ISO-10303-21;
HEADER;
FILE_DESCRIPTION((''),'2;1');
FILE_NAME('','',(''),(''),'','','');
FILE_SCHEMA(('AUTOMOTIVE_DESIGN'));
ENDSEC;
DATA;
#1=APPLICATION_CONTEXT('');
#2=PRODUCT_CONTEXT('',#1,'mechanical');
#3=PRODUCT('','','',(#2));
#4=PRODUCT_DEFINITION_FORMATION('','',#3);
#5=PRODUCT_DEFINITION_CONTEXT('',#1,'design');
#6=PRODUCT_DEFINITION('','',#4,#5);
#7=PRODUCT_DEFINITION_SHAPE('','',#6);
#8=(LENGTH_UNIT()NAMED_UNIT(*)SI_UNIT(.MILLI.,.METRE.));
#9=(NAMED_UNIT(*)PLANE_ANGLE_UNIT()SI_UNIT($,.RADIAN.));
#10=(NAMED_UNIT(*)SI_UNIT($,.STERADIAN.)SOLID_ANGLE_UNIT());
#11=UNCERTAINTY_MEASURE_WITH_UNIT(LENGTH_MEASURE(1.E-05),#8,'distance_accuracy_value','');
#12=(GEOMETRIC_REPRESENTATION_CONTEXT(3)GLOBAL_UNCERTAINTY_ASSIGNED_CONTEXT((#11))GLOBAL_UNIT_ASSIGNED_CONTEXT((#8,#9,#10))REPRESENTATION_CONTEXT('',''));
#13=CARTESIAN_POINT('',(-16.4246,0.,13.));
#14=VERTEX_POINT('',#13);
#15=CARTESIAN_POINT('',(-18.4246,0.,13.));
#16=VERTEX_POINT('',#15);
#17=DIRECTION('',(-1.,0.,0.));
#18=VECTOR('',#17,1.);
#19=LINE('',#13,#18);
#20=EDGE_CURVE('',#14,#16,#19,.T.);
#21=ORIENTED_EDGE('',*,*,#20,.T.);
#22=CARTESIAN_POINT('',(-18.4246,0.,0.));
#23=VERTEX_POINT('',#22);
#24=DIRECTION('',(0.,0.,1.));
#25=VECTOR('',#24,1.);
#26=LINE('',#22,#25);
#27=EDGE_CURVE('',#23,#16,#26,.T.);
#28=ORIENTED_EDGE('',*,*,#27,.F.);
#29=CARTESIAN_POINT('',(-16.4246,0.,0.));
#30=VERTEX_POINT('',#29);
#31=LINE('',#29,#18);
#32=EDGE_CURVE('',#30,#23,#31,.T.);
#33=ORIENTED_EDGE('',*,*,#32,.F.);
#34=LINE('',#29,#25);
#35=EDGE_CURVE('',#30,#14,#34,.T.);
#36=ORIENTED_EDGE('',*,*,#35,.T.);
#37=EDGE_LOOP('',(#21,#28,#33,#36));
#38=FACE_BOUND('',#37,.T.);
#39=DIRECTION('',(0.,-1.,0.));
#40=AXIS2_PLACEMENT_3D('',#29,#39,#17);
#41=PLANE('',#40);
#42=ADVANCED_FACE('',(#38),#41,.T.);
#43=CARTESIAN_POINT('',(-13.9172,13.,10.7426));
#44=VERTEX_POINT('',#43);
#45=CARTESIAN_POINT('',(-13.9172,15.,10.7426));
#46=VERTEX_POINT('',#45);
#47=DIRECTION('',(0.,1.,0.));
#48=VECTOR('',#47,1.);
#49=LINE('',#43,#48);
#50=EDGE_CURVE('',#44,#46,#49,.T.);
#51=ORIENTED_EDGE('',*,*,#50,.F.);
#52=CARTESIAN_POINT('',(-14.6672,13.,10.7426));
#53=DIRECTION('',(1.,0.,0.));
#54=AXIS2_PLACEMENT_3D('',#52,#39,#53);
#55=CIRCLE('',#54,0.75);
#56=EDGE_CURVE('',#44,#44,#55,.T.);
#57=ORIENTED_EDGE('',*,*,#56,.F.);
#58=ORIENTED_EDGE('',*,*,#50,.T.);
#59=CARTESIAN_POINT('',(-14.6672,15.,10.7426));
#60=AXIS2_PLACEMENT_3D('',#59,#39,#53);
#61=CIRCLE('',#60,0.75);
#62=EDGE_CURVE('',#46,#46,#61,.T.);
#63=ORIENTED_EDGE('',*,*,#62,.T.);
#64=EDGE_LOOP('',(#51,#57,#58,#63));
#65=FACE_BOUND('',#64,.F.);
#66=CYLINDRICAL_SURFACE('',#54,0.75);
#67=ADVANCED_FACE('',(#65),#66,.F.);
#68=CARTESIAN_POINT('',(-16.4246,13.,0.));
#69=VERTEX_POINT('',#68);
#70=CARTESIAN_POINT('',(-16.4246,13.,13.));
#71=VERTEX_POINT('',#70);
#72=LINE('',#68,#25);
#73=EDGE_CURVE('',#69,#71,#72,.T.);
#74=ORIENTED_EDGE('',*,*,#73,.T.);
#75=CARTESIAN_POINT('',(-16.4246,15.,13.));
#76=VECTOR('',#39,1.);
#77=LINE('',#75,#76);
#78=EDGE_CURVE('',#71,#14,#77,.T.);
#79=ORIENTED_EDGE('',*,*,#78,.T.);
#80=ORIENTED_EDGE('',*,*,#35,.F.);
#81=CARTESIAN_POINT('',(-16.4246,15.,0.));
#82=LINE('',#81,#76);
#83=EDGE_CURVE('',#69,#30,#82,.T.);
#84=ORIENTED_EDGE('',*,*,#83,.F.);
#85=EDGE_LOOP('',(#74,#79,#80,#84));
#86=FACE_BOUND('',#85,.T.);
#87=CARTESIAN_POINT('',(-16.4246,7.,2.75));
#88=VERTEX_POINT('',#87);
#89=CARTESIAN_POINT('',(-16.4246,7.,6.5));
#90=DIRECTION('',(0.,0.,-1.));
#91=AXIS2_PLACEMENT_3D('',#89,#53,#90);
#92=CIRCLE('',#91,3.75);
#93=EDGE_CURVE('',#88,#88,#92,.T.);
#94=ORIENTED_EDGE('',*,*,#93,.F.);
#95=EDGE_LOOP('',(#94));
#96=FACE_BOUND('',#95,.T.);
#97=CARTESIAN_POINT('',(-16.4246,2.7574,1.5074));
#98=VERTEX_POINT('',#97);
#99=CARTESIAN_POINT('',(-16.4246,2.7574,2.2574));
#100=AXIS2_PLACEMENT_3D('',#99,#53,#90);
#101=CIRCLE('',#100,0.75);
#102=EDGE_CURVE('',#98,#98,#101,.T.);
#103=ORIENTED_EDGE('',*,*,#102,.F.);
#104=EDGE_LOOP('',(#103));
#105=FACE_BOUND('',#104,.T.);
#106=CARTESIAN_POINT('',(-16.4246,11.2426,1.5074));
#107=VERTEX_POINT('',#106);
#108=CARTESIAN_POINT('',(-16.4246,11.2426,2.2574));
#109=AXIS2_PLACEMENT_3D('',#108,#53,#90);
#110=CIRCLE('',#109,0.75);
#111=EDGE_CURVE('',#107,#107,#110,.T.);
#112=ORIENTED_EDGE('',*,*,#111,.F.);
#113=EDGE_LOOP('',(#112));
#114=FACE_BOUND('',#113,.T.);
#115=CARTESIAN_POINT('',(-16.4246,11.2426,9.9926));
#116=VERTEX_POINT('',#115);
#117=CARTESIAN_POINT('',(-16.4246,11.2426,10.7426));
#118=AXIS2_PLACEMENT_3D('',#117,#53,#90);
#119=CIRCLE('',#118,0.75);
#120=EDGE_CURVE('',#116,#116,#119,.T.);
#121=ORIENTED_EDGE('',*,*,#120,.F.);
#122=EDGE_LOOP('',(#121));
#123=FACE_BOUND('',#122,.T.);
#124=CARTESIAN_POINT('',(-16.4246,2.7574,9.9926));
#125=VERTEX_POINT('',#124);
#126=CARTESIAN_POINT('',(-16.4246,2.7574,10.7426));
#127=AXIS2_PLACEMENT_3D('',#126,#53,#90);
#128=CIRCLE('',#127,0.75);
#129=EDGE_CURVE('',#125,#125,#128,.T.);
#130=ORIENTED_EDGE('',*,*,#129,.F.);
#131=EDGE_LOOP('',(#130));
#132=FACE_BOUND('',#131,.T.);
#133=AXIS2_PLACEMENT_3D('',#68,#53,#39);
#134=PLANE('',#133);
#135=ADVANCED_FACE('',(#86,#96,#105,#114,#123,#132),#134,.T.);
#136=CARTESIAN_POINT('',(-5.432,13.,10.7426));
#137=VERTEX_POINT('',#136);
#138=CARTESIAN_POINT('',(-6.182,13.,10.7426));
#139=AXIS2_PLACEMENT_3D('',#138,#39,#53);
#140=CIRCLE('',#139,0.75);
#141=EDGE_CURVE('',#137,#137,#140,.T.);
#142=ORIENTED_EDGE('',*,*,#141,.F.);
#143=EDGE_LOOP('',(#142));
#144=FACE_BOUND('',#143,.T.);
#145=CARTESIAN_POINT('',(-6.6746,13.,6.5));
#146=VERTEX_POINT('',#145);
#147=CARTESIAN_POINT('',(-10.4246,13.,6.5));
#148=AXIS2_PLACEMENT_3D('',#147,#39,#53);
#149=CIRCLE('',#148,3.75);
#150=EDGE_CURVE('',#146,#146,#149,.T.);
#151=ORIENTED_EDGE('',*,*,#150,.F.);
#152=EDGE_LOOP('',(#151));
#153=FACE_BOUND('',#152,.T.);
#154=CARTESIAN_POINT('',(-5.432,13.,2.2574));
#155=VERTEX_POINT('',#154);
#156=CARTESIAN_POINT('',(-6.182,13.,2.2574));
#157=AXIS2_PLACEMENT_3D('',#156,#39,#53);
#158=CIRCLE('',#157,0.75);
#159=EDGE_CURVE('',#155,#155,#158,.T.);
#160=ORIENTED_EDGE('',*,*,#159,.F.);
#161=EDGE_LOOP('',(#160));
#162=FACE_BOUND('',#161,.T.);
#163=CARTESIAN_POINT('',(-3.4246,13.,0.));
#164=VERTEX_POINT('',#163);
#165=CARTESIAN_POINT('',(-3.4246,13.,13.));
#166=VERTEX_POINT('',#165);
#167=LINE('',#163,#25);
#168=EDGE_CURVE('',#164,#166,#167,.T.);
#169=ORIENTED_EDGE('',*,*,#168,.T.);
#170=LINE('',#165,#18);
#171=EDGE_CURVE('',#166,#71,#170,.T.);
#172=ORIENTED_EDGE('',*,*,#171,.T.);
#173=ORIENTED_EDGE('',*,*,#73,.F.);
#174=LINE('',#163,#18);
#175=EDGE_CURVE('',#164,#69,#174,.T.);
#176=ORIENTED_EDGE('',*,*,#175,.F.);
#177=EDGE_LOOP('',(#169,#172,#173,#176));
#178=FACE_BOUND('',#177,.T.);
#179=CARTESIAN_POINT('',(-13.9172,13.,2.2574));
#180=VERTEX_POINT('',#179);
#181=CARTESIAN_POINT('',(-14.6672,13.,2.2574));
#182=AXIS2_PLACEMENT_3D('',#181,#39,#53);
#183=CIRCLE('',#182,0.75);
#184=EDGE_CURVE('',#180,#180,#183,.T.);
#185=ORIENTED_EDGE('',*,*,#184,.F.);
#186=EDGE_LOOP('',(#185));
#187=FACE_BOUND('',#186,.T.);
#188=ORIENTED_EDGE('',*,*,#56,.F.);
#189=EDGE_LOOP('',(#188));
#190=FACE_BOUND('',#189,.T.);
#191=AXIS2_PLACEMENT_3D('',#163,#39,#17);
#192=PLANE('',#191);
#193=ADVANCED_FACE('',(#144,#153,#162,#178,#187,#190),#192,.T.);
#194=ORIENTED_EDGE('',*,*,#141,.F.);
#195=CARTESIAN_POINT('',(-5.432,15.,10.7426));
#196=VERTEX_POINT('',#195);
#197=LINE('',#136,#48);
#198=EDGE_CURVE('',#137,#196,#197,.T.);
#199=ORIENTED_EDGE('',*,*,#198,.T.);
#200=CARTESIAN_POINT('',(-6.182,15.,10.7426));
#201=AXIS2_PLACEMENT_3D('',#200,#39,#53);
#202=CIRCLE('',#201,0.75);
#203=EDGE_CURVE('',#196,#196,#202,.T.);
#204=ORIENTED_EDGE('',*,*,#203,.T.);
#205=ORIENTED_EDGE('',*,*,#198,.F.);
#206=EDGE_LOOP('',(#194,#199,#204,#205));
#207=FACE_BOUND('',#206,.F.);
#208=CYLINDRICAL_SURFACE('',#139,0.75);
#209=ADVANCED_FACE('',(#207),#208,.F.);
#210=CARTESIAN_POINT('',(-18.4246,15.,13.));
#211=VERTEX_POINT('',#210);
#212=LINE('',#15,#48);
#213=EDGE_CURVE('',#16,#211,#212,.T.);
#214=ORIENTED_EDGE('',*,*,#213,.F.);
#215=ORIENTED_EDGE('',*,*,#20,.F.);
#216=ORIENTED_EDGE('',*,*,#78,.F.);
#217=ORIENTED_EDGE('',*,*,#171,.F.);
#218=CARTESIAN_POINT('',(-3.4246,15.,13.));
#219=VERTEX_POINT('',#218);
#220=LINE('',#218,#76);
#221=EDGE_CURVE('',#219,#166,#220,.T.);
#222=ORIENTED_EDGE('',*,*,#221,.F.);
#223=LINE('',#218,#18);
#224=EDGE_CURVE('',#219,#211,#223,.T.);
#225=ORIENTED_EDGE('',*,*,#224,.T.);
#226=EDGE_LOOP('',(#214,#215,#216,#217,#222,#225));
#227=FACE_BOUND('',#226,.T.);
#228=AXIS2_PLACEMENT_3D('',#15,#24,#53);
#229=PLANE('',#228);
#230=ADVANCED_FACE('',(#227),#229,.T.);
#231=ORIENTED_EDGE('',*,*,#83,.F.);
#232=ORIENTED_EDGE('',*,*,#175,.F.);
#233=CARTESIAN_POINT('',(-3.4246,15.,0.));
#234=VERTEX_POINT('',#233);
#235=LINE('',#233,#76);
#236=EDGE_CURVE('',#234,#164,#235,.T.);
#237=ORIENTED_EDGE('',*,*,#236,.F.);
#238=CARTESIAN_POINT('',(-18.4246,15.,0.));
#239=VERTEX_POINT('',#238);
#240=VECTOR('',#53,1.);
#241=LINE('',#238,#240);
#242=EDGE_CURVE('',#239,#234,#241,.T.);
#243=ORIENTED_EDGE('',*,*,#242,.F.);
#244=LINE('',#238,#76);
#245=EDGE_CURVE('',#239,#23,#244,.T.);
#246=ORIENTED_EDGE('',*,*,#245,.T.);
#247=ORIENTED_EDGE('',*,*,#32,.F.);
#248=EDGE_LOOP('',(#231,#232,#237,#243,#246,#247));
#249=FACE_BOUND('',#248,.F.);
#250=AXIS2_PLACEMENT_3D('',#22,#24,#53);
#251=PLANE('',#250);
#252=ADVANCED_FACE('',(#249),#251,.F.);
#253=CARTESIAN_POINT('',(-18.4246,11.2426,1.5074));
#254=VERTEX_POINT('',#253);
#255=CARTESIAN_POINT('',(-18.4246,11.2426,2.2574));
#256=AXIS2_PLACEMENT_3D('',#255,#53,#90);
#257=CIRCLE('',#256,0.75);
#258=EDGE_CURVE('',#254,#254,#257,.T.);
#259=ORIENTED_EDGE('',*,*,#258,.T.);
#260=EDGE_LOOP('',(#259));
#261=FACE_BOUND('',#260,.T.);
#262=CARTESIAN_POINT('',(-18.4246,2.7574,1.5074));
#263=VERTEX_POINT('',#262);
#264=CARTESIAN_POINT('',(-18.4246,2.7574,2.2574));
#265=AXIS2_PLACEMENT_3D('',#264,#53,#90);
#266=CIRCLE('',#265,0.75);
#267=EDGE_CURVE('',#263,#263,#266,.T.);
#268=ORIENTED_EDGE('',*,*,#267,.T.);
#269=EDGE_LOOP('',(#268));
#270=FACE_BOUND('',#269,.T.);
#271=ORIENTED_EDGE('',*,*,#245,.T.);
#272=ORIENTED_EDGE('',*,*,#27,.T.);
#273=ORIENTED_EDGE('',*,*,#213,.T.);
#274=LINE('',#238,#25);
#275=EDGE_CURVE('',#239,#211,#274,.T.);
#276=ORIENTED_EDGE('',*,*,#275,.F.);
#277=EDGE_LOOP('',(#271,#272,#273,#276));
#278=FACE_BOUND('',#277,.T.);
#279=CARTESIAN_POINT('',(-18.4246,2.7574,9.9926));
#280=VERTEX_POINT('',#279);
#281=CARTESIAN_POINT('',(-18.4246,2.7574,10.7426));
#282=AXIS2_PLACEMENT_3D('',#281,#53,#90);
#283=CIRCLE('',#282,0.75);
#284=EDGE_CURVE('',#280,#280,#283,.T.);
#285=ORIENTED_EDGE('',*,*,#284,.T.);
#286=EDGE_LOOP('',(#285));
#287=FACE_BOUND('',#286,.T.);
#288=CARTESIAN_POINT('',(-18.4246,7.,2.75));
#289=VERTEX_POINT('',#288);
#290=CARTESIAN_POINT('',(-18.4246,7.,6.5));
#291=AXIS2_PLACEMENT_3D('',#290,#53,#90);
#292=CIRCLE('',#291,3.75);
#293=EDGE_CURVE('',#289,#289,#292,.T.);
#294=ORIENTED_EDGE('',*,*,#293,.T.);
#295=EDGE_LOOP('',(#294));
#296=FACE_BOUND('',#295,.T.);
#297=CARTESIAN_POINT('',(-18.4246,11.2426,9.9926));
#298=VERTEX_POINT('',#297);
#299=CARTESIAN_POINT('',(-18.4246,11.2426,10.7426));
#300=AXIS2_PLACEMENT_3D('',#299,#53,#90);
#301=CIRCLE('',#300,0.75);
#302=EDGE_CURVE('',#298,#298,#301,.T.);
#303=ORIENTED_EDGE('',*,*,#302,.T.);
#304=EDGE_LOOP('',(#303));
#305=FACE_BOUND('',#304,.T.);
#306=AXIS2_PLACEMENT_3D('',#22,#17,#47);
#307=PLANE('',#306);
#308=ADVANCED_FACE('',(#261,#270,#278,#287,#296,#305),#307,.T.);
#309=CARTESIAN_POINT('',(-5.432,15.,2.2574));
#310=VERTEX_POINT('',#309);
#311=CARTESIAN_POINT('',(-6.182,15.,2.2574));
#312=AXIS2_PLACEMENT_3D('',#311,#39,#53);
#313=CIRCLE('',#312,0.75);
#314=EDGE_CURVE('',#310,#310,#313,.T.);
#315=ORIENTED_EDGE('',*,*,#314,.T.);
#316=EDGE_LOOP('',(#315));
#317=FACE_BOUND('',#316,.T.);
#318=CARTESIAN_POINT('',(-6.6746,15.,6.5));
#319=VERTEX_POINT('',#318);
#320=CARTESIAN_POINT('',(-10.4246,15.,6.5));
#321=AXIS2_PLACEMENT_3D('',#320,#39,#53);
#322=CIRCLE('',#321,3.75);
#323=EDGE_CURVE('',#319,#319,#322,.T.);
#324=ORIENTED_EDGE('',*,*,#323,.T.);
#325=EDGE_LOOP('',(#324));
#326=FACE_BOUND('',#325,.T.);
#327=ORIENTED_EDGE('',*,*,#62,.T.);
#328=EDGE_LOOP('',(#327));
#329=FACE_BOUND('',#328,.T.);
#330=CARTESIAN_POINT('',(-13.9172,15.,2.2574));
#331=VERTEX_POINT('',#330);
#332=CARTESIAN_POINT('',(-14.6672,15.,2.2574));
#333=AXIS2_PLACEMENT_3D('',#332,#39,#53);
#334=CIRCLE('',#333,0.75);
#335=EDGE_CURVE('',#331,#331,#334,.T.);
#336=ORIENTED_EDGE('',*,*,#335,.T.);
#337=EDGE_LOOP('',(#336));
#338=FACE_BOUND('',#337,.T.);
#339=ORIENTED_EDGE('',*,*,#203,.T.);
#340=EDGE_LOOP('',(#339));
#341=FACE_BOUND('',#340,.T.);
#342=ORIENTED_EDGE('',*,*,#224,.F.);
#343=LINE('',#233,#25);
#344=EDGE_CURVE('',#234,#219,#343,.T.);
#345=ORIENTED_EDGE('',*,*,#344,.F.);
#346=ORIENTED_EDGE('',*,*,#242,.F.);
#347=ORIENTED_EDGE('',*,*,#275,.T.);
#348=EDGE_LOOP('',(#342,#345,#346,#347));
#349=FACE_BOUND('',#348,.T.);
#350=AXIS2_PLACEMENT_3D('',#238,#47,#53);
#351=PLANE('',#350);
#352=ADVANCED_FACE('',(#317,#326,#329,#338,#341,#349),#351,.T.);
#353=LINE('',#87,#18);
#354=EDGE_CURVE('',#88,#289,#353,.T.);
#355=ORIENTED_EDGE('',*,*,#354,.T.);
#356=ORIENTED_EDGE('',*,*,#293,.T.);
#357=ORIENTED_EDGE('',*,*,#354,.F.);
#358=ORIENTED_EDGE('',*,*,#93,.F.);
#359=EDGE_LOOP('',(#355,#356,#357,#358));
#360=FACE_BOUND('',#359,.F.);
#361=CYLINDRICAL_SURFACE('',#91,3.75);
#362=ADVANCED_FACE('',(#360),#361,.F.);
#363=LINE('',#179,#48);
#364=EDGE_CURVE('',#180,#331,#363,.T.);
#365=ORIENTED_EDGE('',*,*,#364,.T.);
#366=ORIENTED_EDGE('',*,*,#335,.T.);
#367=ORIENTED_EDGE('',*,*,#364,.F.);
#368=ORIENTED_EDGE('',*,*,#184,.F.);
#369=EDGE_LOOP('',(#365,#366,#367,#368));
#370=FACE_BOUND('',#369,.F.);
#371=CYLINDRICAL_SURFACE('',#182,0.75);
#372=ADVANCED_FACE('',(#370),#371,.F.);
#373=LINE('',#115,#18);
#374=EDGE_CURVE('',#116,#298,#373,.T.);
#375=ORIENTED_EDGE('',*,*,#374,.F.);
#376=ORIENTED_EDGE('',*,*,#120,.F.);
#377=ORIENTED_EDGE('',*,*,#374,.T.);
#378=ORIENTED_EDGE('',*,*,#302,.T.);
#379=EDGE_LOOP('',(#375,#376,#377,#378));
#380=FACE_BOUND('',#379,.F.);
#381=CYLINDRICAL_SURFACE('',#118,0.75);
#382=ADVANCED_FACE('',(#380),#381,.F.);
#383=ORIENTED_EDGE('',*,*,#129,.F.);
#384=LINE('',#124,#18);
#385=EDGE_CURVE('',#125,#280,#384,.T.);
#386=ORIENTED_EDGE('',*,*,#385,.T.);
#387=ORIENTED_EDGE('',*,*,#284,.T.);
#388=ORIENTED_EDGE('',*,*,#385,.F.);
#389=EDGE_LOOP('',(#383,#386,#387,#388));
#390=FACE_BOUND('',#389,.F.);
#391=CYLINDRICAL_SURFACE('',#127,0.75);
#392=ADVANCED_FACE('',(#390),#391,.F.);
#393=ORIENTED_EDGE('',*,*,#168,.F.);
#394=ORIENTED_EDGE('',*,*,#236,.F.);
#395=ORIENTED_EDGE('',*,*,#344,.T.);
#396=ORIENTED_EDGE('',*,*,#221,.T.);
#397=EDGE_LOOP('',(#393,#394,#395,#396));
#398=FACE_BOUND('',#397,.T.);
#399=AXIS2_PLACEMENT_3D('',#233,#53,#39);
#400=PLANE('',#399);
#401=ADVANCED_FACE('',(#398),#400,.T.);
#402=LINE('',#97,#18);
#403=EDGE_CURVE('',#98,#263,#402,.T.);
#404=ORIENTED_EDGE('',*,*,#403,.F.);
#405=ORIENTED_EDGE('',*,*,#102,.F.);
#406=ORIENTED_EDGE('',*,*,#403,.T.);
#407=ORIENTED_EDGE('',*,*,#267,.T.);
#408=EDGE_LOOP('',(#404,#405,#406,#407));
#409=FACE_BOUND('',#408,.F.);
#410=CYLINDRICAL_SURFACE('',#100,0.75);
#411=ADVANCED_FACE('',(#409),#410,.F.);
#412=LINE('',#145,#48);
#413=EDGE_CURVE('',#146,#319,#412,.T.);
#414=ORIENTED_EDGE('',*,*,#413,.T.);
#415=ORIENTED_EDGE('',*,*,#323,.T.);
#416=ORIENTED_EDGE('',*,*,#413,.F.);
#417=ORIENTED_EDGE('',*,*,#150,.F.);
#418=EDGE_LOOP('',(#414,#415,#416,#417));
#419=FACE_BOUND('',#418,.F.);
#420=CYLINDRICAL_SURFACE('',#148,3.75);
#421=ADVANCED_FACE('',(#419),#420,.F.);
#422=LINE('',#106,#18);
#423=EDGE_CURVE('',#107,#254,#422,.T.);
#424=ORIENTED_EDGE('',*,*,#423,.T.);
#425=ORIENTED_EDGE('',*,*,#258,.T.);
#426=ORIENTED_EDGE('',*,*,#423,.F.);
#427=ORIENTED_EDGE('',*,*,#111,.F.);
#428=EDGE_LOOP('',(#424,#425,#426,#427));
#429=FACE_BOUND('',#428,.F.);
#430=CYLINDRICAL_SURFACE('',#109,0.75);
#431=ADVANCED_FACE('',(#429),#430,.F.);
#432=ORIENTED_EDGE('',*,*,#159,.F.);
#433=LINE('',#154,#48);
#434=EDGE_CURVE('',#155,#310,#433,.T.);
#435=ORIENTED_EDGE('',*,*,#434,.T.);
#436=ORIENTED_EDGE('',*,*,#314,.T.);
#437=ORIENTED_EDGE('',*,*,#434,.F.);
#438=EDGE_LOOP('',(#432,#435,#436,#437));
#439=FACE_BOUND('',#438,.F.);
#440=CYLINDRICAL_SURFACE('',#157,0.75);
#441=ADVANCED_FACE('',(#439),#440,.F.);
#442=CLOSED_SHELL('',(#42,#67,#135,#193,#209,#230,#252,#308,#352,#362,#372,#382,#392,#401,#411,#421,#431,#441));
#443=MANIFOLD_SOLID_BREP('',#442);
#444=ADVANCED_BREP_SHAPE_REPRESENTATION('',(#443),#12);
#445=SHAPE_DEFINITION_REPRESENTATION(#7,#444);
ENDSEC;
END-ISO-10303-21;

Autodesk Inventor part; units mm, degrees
ref_plane "YZ Plane" through (0, 0, 0) normal (1, 0, 0) x (0, 1, 0)
ref_plane "XZ Plane" through (0, 0, 0) normal (0, 1, 0) x (-1, 0, 0)
ref_plane "XY Plane" through (0, 0, 0) normal (0, 0, 1) x (1, 0, 0)
ref_plane "Work Plane1" through (-18.4246, 0, 0) normal (0, 0, 1) x (1, 0, 0)
sketch "Sketch1" plane through (-18.4246, 0, 0) normal (0, 0, 1) x (1, 0, 0)
  line L0 (0, -0.9373) -> (0, 15) projected
  line L1 (0, 15) -> (15.9373, 15) projected
  line L2 (0, -0.9373) -> (0, 19.0627)
  line L3 (15.9373, 15) -> (-4.0627, 15)
  line L4 (0, 15) -> (2, 15)
  line L5 (2, 15) -> (2, 0)
  line L6 (2, 0) -> (0, 0)
  line L7 (0, 0) -> (0, 15)
  line L8 (0, 15) -> (15, 15)
  line L9 (15, 15) -> (15, 13)
  line L10 (15, 13) -> (0, 13)
  line L11 (0, 13) -> (0, 15)
  point P0 (18.4246, 0)
  point P1 (0, 0)
  point P2 (2, 13)
  point P3 (15, 15)
  dimension "d0" = 20
  dimension "d1" = 20
  dimension "d2" = 2
  dimension "d3" = 15
  dimension "d4" = 15
  dimension "d5" = 2
extrude "Extrusion1" add sketch "Sketch1" along normal blind 13
sketch "Sketch2" plane through (-16.4246, 0, 0) normal (1, 0, 0) x (0, 0, -1)
  circle A0 centre (-10.7426, 2.7574) radius 0.75 projected
  circle A1 centre (-10.7426, 11.2426) radius 0.75 projected
  circle A2 centre (-2.2574, 2.7574) radius 0.75 projected
  circle A3 centre (-2.2574, 11.2426) radius 0.75 projected
  point P0 (0, 0)
extrude "Extrusion2" cut sketch "Sketch2" against normal blind 13
sketch "Sketch3" plane through (-16.4246, 13, 0) normal (0, -1, 0) x (1, 0, 0)
  circle A0 centre (1.7574, 10.7426) radius 0.75 projected
  circle A1 centre (10.2426, 10.7426) radius 0.75 projected
  circle A2 centre (10.2426, 2.2574) radius 0.75 projected
  circle A3 centre (1.7574, 2.2574) radius 0.75 projected
  point P0 (16.4246, 0)
extrude "Extrusion3" cut sketch "Sketch3" against normal blind 13
sketch "Sketch4" plane through (-16.4246, 0, 0) normal (1, 0, 0) x (0, 0, -1)
  point P0 (0, 0)
sketch "Sketch5" plane through (-16.4246, 0, 0) normal (1, 0, 0) x (0, 0, -1)
  circle A0 centre (-6.5, 7) radius 1.5 projected
  circle A1 centre (-6.5, 7) radius 3.75
  point P0 (0, 0)
  dimension "d12" = 7.5
extrude "Extrusion4" cut sketch "Sketch5" against normal blind 13 contours A0 | A1
sketch "Sketch6" plane through (-16.4246, 13, 0) normal (0, -1, 0) x (1, 0, 0)
  circle A0 centre (6, 6.5) radius 1.5 projected
  circle A1 centre (6, 6.5) radius 3.75
  point P0 (16.4246, 0)
  dimension "d15" = 7.5
extrude "Extrusion5" cut sketch "Sketch6" against normal blind 13 contours A0 | A1
properties part number "base_1"
